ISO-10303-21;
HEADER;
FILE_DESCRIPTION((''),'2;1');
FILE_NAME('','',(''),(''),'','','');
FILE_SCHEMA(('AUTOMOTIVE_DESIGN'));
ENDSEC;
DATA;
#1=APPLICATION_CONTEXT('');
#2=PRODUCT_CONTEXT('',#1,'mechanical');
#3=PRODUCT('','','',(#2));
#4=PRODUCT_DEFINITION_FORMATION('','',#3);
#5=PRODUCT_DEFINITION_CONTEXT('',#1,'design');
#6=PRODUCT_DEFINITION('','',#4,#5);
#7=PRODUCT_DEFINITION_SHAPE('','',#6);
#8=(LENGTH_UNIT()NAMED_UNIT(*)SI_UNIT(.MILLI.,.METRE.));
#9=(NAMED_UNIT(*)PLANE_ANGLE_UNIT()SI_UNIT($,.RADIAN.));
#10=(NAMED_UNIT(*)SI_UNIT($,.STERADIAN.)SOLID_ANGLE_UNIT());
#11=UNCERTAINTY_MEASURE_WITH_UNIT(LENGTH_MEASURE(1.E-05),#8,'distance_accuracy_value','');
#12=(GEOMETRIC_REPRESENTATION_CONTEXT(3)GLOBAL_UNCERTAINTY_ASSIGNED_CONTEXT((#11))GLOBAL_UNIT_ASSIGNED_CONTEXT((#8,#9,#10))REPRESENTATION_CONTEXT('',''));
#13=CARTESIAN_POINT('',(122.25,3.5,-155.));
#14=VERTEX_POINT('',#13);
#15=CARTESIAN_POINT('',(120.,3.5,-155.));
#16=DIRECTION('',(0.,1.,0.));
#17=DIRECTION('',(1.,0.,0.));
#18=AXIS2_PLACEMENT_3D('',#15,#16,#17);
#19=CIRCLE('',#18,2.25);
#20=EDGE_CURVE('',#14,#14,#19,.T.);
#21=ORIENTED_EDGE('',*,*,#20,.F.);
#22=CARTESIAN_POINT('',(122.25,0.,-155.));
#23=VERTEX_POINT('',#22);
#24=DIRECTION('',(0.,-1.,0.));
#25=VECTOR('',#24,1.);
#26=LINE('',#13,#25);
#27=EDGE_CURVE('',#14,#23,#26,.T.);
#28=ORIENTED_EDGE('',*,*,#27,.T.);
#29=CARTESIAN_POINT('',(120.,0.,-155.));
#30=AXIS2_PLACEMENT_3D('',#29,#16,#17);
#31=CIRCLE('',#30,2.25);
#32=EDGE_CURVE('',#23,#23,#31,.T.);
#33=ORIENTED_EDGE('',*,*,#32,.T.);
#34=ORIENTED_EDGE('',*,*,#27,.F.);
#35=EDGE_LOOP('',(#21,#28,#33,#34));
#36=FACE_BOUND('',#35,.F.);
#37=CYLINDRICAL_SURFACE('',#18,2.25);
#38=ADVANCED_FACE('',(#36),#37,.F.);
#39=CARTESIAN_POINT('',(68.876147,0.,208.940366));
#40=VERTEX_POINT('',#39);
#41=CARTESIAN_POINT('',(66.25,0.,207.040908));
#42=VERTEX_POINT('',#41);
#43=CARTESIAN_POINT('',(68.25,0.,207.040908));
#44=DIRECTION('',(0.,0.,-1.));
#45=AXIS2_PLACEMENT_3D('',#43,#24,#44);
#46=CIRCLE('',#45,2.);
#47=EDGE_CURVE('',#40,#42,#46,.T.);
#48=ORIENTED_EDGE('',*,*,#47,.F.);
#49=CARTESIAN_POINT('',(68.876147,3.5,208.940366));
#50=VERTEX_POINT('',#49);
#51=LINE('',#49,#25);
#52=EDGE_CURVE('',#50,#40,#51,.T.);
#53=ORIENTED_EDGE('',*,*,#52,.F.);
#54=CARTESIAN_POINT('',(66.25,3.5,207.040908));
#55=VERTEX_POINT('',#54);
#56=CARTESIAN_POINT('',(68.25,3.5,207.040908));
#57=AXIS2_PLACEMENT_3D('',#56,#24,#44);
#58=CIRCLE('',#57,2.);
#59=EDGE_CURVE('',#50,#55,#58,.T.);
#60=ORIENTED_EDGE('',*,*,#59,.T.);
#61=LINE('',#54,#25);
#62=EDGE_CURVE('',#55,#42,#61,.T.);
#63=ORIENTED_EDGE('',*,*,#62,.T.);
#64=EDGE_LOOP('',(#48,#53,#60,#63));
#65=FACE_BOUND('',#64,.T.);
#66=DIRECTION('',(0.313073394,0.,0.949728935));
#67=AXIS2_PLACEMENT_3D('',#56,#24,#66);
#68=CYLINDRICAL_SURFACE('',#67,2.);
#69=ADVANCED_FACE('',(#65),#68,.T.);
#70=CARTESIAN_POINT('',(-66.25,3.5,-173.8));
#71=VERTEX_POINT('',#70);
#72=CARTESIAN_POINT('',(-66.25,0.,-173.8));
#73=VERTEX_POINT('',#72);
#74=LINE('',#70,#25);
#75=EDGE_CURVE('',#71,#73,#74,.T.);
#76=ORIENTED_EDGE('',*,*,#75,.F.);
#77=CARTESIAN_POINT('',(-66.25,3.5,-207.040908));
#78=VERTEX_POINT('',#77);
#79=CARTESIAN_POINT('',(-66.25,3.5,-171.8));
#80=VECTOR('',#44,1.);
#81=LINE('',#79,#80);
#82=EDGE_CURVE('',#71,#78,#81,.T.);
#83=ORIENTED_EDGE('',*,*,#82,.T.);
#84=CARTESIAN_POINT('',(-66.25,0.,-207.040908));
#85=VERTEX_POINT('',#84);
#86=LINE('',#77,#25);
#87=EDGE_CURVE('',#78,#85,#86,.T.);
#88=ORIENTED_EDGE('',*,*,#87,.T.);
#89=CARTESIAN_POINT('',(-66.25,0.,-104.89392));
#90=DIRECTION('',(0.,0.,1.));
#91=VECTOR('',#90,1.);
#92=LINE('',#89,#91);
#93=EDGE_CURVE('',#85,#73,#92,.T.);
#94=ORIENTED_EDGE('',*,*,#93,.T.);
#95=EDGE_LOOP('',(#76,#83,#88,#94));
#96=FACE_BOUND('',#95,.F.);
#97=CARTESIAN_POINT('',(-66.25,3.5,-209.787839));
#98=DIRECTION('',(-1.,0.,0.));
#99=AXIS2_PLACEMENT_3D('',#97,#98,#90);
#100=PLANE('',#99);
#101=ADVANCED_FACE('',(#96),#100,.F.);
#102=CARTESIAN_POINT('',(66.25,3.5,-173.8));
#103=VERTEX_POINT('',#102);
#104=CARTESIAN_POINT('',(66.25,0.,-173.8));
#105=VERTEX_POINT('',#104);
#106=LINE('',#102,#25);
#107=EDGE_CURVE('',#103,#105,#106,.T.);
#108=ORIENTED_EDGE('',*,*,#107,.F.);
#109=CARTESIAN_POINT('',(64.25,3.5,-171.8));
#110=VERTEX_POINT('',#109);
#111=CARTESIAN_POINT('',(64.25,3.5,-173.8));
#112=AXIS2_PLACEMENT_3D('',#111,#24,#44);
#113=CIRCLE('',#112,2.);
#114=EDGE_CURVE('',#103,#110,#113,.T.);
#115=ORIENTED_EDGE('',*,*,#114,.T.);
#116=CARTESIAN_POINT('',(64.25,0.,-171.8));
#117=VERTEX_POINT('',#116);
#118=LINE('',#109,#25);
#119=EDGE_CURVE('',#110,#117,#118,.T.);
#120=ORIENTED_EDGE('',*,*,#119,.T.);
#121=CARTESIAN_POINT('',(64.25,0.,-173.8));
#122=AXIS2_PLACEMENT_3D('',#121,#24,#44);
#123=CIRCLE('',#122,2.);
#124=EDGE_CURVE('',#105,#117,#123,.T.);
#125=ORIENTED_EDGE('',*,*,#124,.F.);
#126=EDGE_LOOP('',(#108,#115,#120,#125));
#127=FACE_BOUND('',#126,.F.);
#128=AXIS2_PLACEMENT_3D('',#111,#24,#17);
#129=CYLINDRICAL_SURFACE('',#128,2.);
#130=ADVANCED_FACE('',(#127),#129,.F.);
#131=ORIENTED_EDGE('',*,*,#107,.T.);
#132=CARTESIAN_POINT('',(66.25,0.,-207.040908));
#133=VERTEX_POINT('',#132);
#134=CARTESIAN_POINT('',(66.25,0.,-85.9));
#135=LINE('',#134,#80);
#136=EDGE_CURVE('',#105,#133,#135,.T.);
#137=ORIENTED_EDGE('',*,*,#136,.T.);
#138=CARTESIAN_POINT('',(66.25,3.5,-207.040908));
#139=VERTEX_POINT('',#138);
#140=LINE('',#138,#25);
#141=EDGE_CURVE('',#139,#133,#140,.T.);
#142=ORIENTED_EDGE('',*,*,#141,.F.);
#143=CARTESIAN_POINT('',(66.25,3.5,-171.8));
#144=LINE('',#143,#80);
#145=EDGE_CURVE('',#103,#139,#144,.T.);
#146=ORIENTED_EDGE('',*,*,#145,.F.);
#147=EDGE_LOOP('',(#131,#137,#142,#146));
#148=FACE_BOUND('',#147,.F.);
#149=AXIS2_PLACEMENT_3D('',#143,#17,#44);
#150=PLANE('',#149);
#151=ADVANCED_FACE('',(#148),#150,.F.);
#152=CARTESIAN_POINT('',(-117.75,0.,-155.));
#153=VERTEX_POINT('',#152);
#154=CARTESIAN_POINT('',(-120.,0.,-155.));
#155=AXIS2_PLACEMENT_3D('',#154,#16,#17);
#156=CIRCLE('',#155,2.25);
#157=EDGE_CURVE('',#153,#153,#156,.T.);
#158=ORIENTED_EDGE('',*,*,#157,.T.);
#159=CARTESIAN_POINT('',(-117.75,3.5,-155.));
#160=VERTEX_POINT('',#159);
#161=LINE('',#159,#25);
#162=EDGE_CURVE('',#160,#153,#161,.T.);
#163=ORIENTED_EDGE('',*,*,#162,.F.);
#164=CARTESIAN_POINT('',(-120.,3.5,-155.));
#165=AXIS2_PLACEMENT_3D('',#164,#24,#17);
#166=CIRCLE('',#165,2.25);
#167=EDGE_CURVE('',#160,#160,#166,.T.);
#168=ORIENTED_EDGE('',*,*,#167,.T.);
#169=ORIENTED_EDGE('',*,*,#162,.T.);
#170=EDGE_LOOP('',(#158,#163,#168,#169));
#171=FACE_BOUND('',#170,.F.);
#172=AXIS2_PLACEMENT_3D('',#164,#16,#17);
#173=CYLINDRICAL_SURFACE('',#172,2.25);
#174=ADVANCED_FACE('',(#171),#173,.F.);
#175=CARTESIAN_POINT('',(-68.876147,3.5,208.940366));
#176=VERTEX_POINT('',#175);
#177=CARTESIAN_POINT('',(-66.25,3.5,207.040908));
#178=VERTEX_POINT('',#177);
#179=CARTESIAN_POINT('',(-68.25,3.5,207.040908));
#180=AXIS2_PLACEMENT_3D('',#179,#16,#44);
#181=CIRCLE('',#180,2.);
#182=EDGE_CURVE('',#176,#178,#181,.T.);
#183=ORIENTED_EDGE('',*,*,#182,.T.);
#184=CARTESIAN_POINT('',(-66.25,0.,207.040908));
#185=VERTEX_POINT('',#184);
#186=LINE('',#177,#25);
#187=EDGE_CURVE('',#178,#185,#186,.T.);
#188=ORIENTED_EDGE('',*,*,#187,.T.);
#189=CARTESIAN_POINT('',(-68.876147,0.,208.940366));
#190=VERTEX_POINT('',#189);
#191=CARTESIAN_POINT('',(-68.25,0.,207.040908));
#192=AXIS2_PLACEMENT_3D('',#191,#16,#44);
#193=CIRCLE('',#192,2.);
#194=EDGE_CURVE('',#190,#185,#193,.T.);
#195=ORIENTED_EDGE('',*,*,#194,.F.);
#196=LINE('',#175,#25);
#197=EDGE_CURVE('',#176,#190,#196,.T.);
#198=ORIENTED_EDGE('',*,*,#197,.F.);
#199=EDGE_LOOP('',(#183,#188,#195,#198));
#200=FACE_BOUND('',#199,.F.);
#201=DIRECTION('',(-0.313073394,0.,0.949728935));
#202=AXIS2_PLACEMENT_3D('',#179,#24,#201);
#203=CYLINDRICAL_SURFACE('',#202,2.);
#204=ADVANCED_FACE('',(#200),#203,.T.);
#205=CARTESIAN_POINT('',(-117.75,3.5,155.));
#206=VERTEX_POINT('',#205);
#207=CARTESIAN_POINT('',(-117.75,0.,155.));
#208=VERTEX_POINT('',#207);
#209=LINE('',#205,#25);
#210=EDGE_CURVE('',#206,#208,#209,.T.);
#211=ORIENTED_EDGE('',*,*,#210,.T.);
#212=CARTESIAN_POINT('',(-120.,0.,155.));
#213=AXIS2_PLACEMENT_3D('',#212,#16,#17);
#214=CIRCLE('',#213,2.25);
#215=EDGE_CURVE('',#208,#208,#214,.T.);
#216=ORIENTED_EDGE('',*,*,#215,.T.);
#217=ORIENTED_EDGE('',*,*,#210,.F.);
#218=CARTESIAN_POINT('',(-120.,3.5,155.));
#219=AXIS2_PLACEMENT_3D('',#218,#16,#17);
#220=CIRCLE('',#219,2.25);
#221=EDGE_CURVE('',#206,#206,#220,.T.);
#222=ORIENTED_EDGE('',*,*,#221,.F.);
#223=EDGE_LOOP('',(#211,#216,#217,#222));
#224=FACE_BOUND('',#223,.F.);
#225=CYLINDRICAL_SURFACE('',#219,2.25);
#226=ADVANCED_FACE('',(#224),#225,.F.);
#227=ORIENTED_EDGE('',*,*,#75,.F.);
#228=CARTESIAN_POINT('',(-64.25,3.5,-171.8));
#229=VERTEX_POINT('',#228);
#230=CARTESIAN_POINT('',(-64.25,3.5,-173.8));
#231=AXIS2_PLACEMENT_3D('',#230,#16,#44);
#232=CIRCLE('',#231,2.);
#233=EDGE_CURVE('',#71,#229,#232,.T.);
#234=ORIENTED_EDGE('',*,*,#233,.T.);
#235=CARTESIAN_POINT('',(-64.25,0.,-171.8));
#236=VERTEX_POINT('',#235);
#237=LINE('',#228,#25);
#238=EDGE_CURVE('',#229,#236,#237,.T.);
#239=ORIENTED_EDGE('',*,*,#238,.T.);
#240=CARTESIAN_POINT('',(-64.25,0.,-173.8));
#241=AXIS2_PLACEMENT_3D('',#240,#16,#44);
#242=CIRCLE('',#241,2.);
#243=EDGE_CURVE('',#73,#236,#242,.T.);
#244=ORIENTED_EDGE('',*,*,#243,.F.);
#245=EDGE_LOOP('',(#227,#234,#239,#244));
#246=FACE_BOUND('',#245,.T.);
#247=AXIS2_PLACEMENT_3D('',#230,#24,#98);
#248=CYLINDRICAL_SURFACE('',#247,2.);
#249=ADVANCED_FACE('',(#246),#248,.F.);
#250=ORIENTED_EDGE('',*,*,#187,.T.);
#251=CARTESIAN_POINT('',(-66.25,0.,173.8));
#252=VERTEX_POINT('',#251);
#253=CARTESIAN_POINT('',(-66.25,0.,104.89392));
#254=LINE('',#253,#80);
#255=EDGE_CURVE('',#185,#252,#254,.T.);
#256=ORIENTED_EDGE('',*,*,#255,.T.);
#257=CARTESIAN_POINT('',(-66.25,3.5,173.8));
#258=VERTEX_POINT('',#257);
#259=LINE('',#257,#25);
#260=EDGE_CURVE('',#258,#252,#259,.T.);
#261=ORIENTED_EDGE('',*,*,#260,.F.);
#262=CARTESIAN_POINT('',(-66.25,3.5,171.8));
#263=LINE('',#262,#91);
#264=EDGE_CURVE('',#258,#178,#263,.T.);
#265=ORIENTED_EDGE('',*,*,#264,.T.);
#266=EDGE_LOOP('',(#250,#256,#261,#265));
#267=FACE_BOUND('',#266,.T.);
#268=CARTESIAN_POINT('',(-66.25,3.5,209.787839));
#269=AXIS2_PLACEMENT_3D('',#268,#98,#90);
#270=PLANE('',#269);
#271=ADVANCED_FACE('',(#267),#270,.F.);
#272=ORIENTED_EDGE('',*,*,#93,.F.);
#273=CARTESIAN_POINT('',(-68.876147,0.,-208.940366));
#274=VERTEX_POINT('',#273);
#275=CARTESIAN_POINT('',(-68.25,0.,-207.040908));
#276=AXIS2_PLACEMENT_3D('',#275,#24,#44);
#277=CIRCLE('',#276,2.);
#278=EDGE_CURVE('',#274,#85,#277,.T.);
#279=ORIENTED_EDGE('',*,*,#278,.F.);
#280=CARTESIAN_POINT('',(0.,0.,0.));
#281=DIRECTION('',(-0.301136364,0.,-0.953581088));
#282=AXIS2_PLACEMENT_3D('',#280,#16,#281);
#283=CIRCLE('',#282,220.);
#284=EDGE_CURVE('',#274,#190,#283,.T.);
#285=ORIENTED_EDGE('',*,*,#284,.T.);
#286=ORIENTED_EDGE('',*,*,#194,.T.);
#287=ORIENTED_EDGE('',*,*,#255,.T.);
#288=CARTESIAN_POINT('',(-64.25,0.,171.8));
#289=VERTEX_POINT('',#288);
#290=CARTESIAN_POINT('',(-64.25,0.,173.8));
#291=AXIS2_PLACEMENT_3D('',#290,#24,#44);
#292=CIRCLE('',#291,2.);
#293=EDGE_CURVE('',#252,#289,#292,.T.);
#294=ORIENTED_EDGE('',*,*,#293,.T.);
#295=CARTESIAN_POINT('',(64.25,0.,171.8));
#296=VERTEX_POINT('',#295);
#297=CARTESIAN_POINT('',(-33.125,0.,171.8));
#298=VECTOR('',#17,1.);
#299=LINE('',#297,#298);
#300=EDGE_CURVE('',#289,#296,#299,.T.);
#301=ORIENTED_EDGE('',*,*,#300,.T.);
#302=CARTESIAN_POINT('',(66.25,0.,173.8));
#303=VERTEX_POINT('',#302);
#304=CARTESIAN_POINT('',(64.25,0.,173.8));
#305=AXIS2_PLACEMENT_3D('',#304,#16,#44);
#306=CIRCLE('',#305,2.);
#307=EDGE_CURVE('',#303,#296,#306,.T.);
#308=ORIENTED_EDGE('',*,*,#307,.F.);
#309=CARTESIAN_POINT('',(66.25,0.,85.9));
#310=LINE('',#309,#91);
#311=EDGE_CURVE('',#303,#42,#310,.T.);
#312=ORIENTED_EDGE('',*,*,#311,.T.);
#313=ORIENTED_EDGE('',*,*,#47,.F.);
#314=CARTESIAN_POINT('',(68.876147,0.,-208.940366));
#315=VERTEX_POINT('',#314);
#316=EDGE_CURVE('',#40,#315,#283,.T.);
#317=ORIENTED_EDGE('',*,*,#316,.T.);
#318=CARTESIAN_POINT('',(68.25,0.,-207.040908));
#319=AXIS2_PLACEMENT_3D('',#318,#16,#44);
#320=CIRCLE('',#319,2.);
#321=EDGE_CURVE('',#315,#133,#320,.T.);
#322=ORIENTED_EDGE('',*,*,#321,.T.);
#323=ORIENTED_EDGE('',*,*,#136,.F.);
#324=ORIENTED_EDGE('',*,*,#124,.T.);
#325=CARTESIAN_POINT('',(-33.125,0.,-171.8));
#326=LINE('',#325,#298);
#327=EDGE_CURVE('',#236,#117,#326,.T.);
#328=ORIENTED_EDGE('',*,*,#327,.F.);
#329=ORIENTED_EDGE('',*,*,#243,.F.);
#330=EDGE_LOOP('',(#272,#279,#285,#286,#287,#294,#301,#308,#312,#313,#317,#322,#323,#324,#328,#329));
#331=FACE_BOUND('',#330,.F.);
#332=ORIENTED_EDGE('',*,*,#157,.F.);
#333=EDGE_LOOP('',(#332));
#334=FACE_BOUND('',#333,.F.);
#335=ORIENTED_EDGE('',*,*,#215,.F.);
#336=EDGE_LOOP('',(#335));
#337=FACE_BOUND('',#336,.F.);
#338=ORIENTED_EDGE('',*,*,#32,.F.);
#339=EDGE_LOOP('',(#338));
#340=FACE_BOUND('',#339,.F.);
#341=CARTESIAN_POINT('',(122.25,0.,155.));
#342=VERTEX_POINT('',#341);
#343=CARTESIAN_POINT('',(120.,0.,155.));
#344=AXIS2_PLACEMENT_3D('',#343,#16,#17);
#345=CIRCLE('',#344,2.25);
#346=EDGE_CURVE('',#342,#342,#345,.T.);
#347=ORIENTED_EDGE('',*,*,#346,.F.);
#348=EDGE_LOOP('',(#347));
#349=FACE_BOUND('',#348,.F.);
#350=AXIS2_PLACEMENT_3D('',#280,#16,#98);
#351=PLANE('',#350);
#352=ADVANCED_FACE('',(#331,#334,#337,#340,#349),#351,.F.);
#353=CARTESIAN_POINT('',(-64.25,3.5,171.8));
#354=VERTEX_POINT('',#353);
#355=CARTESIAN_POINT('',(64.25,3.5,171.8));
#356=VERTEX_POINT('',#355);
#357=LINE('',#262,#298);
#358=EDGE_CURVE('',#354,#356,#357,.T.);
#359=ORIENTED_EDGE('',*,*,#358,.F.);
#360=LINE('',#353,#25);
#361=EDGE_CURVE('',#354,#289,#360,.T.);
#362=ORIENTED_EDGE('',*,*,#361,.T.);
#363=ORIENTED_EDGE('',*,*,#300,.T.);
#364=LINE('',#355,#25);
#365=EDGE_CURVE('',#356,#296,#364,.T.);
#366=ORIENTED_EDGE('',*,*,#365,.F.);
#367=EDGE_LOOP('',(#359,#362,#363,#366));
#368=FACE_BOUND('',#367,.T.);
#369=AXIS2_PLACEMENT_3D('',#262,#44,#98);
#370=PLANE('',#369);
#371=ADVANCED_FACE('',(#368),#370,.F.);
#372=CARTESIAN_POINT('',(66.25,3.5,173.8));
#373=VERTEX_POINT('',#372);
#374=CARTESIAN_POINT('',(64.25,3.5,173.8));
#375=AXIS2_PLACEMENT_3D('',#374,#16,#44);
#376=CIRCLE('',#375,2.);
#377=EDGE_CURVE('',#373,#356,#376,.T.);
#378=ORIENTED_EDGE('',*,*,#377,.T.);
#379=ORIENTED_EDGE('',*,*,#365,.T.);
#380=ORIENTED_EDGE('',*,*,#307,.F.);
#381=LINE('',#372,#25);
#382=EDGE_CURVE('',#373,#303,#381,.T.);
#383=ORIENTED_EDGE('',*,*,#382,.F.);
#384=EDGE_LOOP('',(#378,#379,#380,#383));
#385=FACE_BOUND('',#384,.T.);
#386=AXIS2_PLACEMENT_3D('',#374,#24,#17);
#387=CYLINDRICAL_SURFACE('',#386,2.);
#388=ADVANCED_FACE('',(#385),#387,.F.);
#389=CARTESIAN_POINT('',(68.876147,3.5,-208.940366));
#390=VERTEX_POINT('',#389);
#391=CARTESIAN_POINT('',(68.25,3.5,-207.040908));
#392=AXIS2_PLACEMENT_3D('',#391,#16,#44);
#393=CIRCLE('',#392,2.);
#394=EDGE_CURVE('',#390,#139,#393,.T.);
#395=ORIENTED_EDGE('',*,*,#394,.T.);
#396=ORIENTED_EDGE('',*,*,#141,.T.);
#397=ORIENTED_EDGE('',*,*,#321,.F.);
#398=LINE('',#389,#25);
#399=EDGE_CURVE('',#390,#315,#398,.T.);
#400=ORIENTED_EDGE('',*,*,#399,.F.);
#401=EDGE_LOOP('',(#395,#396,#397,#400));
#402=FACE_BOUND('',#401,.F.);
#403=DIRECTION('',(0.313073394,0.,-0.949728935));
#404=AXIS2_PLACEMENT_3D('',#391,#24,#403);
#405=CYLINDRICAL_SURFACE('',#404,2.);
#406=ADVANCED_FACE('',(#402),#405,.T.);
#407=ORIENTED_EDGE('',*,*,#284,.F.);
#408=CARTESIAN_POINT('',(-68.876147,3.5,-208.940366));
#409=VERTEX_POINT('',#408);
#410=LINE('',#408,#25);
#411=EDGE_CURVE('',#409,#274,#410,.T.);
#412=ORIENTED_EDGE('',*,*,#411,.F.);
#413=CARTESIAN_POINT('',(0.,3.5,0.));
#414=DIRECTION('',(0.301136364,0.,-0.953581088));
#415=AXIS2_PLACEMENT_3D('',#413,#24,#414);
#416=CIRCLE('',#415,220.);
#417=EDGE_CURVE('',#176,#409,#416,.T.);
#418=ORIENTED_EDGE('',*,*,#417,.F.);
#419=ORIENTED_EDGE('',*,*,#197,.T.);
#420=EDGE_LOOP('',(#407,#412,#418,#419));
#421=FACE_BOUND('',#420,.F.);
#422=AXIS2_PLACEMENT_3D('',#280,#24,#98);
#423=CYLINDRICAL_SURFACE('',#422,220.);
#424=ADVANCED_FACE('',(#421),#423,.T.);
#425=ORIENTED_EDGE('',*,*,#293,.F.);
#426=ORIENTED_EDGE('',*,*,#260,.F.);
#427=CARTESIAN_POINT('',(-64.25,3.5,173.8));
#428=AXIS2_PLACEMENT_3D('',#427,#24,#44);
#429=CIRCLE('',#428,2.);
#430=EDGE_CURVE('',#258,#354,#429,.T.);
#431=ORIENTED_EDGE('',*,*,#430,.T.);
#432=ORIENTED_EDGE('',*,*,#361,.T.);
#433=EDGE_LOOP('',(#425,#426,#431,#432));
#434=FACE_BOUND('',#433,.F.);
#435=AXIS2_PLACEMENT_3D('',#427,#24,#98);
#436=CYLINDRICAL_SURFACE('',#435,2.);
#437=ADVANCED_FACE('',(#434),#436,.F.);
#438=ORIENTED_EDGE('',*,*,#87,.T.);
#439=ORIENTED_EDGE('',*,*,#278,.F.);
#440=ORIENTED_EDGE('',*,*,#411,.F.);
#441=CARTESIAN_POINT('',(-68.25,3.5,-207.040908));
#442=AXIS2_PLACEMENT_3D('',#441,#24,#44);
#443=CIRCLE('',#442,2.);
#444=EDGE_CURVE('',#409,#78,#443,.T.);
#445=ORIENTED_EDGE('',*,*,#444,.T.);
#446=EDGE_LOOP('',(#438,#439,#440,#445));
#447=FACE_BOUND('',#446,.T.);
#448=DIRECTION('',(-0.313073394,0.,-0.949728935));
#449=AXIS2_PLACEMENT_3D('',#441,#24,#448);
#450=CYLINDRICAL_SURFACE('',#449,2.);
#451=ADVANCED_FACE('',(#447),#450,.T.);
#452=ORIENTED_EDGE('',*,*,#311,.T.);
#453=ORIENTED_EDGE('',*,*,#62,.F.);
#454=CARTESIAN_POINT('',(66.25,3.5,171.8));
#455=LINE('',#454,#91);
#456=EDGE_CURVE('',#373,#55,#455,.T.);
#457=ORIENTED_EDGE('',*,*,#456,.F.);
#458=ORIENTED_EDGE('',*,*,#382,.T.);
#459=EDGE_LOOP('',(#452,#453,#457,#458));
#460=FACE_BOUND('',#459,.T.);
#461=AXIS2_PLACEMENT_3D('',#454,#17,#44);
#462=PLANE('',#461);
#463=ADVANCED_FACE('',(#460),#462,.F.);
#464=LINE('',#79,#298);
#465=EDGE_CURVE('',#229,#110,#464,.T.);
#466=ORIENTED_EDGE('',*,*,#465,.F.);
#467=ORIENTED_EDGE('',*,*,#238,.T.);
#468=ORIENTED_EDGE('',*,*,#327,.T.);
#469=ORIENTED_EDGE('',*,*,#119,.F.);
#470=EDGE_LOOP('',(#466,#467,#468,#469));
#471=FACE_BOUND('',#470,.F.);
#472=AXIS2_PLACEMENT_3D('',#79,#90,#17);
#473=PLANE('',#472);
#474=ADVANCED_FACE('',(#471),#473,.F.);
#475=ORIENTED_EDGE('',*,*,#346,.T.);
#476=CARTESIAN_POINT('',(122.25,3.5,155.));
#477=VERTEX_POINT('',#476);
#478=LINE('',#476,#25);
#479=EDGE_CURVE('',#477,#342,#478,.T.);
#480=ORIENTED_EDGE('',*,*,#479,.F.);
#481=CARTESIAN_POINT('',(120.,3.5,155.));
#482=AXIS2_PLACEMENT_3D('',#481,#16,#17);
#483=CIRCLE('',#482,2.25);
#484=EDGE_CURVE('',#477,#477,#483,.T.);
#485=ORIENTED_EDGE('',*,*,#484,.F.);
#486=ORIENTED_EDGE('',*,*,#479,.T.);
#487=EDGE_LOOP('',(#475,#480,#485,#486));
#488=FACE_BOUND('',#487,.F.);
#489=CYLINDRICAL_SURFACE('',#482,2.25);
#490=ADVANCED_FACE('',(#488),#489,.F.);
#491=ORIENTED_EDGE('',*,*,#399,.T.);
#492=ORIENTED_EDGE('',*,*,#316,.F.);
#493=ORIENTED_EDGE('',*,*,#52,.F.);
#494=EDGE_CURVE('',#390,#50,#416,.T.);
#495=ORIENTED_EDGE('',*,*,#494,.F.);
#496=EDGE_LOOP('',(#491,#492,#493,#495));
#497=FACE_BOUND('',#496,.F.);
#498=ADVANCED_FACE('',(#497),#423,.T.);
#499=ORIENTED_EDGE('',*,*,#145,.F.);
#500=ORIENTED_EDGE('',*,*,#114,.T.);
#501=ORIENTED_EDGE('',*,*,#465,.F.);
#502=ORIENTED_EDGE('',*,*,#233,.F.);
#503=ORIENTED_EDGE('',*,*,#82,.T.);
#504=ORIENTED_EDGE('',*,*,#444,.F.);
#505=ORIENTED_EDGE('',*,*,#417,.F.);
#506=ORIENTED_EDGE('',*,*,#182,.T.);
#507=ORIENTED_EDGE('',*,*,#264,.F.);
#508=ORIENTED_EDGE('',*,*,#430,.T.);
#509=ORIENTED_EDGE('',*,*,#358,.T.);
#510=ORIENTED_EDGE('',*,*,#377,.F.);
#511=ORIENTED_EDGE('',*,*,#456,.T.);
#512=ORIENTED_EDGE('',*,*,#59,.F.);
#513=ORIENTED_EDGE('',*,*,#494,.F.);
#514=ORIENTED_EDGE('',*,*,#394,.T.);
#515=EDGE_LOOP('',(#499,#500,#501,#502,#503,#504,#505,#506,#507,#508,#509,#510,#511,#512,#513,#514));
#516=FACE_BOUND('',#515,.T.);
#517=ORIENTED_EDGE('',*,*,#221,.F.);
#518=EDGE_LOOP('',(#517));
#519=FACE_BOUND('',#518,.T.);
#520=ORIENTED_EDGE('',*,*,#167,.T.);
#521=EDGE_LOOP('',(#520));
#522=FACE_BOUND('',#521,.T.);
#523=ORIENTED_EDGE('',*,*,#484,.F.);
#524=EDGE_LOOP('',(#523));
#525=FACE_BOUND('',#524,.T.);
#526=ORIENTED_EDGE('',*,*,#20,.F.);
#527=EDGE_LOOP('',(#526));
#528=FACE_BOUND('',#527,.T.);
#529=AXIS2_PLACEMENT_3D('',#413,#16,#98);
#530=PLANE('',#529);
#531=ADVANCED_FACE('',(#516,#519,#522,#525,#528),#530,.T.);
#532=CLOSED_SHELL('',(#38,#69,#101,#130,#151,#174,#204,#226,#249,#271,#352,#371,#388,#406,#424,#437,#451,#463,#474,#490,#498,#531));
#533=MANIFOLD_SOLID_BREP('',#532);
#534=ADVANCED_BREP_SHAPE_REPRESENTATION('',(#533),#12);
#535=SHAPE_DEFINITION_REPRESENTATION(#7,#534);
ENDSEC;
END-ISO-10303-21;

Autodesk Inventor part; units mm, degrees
ref_plane "YZ Plane" through (0, 0, 0) normal (1, 0, 0) x (0, 1, 0)
ref_plane "XZ Plane" through (0, 0, 0) normal (0, 1, 0) x (-1, 0, 0)
ref_plane "XY Plane" through (0, 0, 0) normal (0, 0, 1) x (1, 0, 0)
sketch "Sketch1" plane through (0, 0, 0) normal (0, 1, 0) x (-1, 0, 0)
  circle A0 centre (0, 0) radius 220
  dimension "d0" = 440
extrude "Extrusion1" add sketch "Sketch1" along normal blind 3.5
sketch "Sketch2" plane through (0, 3.5, 0) normal (0, 1, 0) x (1, 0, 0)
  line L0 (-66.25, 171.8) -> (66.25, 171.8)
  line L1 (66.25, 171.8) -> (66.25, 220)
  line L2 (66.25, 220) -> (-66.25, 220)
  line L3 (-66.25, 220) -> (-66.25, 171.8)
  circle A0 centre (0, 0) radius 220 projected
  point P0 (0, 220)
  dimension "d3" = 132.5
  dimension "d4" = 48.2
  dimension "d5" = 0
  dimension "d6" = 220
extrude "Extrusion2" cut sketch "Sketch2" against normal through all contours L3 A0 L1 L0 | L3 L2 A0 | A0 L2 L1 picked at (0, 187.8667)
fillet "Fillet1" radius 2 4 edges at (-66.25, 1.75, -171.8) (-66.25, 1.75, -209.7878) (66.25, 1.75, -209.7878) (66.25, 1.75, -171.8)
mirror "Mirror1" about plane through (0, 0, 0) normal (0, 0, 1) of "Extrusion2", "Fillet1"
sketch "Sketch3" plane through (0, 3.5, 0) normal (0, 1, 0) x (1, 0, 0)
  line L0 (0, 0) -> (-120, 0)
  line L1 (-120, 0) -> (-120, 155)
  circle A0 centre (-120, 155) radius 2.25
  circle A1 centre (120, 155) radius 2.25
  circle A2 centre (-120, -155) radius 2.25
  circle A3 centre (120, -155) radius 2.25
  dimension "d10" = 120
  dimension "d11" = 155
  dimension "d12" = 4.5
  dimension "d15" = 240
  dimension "d18" = 310
extrude "Extrusion3" cut sketch "Sketch3" against normal blind 10
properties part number "AMR_base" material "Aluminum 6061"
